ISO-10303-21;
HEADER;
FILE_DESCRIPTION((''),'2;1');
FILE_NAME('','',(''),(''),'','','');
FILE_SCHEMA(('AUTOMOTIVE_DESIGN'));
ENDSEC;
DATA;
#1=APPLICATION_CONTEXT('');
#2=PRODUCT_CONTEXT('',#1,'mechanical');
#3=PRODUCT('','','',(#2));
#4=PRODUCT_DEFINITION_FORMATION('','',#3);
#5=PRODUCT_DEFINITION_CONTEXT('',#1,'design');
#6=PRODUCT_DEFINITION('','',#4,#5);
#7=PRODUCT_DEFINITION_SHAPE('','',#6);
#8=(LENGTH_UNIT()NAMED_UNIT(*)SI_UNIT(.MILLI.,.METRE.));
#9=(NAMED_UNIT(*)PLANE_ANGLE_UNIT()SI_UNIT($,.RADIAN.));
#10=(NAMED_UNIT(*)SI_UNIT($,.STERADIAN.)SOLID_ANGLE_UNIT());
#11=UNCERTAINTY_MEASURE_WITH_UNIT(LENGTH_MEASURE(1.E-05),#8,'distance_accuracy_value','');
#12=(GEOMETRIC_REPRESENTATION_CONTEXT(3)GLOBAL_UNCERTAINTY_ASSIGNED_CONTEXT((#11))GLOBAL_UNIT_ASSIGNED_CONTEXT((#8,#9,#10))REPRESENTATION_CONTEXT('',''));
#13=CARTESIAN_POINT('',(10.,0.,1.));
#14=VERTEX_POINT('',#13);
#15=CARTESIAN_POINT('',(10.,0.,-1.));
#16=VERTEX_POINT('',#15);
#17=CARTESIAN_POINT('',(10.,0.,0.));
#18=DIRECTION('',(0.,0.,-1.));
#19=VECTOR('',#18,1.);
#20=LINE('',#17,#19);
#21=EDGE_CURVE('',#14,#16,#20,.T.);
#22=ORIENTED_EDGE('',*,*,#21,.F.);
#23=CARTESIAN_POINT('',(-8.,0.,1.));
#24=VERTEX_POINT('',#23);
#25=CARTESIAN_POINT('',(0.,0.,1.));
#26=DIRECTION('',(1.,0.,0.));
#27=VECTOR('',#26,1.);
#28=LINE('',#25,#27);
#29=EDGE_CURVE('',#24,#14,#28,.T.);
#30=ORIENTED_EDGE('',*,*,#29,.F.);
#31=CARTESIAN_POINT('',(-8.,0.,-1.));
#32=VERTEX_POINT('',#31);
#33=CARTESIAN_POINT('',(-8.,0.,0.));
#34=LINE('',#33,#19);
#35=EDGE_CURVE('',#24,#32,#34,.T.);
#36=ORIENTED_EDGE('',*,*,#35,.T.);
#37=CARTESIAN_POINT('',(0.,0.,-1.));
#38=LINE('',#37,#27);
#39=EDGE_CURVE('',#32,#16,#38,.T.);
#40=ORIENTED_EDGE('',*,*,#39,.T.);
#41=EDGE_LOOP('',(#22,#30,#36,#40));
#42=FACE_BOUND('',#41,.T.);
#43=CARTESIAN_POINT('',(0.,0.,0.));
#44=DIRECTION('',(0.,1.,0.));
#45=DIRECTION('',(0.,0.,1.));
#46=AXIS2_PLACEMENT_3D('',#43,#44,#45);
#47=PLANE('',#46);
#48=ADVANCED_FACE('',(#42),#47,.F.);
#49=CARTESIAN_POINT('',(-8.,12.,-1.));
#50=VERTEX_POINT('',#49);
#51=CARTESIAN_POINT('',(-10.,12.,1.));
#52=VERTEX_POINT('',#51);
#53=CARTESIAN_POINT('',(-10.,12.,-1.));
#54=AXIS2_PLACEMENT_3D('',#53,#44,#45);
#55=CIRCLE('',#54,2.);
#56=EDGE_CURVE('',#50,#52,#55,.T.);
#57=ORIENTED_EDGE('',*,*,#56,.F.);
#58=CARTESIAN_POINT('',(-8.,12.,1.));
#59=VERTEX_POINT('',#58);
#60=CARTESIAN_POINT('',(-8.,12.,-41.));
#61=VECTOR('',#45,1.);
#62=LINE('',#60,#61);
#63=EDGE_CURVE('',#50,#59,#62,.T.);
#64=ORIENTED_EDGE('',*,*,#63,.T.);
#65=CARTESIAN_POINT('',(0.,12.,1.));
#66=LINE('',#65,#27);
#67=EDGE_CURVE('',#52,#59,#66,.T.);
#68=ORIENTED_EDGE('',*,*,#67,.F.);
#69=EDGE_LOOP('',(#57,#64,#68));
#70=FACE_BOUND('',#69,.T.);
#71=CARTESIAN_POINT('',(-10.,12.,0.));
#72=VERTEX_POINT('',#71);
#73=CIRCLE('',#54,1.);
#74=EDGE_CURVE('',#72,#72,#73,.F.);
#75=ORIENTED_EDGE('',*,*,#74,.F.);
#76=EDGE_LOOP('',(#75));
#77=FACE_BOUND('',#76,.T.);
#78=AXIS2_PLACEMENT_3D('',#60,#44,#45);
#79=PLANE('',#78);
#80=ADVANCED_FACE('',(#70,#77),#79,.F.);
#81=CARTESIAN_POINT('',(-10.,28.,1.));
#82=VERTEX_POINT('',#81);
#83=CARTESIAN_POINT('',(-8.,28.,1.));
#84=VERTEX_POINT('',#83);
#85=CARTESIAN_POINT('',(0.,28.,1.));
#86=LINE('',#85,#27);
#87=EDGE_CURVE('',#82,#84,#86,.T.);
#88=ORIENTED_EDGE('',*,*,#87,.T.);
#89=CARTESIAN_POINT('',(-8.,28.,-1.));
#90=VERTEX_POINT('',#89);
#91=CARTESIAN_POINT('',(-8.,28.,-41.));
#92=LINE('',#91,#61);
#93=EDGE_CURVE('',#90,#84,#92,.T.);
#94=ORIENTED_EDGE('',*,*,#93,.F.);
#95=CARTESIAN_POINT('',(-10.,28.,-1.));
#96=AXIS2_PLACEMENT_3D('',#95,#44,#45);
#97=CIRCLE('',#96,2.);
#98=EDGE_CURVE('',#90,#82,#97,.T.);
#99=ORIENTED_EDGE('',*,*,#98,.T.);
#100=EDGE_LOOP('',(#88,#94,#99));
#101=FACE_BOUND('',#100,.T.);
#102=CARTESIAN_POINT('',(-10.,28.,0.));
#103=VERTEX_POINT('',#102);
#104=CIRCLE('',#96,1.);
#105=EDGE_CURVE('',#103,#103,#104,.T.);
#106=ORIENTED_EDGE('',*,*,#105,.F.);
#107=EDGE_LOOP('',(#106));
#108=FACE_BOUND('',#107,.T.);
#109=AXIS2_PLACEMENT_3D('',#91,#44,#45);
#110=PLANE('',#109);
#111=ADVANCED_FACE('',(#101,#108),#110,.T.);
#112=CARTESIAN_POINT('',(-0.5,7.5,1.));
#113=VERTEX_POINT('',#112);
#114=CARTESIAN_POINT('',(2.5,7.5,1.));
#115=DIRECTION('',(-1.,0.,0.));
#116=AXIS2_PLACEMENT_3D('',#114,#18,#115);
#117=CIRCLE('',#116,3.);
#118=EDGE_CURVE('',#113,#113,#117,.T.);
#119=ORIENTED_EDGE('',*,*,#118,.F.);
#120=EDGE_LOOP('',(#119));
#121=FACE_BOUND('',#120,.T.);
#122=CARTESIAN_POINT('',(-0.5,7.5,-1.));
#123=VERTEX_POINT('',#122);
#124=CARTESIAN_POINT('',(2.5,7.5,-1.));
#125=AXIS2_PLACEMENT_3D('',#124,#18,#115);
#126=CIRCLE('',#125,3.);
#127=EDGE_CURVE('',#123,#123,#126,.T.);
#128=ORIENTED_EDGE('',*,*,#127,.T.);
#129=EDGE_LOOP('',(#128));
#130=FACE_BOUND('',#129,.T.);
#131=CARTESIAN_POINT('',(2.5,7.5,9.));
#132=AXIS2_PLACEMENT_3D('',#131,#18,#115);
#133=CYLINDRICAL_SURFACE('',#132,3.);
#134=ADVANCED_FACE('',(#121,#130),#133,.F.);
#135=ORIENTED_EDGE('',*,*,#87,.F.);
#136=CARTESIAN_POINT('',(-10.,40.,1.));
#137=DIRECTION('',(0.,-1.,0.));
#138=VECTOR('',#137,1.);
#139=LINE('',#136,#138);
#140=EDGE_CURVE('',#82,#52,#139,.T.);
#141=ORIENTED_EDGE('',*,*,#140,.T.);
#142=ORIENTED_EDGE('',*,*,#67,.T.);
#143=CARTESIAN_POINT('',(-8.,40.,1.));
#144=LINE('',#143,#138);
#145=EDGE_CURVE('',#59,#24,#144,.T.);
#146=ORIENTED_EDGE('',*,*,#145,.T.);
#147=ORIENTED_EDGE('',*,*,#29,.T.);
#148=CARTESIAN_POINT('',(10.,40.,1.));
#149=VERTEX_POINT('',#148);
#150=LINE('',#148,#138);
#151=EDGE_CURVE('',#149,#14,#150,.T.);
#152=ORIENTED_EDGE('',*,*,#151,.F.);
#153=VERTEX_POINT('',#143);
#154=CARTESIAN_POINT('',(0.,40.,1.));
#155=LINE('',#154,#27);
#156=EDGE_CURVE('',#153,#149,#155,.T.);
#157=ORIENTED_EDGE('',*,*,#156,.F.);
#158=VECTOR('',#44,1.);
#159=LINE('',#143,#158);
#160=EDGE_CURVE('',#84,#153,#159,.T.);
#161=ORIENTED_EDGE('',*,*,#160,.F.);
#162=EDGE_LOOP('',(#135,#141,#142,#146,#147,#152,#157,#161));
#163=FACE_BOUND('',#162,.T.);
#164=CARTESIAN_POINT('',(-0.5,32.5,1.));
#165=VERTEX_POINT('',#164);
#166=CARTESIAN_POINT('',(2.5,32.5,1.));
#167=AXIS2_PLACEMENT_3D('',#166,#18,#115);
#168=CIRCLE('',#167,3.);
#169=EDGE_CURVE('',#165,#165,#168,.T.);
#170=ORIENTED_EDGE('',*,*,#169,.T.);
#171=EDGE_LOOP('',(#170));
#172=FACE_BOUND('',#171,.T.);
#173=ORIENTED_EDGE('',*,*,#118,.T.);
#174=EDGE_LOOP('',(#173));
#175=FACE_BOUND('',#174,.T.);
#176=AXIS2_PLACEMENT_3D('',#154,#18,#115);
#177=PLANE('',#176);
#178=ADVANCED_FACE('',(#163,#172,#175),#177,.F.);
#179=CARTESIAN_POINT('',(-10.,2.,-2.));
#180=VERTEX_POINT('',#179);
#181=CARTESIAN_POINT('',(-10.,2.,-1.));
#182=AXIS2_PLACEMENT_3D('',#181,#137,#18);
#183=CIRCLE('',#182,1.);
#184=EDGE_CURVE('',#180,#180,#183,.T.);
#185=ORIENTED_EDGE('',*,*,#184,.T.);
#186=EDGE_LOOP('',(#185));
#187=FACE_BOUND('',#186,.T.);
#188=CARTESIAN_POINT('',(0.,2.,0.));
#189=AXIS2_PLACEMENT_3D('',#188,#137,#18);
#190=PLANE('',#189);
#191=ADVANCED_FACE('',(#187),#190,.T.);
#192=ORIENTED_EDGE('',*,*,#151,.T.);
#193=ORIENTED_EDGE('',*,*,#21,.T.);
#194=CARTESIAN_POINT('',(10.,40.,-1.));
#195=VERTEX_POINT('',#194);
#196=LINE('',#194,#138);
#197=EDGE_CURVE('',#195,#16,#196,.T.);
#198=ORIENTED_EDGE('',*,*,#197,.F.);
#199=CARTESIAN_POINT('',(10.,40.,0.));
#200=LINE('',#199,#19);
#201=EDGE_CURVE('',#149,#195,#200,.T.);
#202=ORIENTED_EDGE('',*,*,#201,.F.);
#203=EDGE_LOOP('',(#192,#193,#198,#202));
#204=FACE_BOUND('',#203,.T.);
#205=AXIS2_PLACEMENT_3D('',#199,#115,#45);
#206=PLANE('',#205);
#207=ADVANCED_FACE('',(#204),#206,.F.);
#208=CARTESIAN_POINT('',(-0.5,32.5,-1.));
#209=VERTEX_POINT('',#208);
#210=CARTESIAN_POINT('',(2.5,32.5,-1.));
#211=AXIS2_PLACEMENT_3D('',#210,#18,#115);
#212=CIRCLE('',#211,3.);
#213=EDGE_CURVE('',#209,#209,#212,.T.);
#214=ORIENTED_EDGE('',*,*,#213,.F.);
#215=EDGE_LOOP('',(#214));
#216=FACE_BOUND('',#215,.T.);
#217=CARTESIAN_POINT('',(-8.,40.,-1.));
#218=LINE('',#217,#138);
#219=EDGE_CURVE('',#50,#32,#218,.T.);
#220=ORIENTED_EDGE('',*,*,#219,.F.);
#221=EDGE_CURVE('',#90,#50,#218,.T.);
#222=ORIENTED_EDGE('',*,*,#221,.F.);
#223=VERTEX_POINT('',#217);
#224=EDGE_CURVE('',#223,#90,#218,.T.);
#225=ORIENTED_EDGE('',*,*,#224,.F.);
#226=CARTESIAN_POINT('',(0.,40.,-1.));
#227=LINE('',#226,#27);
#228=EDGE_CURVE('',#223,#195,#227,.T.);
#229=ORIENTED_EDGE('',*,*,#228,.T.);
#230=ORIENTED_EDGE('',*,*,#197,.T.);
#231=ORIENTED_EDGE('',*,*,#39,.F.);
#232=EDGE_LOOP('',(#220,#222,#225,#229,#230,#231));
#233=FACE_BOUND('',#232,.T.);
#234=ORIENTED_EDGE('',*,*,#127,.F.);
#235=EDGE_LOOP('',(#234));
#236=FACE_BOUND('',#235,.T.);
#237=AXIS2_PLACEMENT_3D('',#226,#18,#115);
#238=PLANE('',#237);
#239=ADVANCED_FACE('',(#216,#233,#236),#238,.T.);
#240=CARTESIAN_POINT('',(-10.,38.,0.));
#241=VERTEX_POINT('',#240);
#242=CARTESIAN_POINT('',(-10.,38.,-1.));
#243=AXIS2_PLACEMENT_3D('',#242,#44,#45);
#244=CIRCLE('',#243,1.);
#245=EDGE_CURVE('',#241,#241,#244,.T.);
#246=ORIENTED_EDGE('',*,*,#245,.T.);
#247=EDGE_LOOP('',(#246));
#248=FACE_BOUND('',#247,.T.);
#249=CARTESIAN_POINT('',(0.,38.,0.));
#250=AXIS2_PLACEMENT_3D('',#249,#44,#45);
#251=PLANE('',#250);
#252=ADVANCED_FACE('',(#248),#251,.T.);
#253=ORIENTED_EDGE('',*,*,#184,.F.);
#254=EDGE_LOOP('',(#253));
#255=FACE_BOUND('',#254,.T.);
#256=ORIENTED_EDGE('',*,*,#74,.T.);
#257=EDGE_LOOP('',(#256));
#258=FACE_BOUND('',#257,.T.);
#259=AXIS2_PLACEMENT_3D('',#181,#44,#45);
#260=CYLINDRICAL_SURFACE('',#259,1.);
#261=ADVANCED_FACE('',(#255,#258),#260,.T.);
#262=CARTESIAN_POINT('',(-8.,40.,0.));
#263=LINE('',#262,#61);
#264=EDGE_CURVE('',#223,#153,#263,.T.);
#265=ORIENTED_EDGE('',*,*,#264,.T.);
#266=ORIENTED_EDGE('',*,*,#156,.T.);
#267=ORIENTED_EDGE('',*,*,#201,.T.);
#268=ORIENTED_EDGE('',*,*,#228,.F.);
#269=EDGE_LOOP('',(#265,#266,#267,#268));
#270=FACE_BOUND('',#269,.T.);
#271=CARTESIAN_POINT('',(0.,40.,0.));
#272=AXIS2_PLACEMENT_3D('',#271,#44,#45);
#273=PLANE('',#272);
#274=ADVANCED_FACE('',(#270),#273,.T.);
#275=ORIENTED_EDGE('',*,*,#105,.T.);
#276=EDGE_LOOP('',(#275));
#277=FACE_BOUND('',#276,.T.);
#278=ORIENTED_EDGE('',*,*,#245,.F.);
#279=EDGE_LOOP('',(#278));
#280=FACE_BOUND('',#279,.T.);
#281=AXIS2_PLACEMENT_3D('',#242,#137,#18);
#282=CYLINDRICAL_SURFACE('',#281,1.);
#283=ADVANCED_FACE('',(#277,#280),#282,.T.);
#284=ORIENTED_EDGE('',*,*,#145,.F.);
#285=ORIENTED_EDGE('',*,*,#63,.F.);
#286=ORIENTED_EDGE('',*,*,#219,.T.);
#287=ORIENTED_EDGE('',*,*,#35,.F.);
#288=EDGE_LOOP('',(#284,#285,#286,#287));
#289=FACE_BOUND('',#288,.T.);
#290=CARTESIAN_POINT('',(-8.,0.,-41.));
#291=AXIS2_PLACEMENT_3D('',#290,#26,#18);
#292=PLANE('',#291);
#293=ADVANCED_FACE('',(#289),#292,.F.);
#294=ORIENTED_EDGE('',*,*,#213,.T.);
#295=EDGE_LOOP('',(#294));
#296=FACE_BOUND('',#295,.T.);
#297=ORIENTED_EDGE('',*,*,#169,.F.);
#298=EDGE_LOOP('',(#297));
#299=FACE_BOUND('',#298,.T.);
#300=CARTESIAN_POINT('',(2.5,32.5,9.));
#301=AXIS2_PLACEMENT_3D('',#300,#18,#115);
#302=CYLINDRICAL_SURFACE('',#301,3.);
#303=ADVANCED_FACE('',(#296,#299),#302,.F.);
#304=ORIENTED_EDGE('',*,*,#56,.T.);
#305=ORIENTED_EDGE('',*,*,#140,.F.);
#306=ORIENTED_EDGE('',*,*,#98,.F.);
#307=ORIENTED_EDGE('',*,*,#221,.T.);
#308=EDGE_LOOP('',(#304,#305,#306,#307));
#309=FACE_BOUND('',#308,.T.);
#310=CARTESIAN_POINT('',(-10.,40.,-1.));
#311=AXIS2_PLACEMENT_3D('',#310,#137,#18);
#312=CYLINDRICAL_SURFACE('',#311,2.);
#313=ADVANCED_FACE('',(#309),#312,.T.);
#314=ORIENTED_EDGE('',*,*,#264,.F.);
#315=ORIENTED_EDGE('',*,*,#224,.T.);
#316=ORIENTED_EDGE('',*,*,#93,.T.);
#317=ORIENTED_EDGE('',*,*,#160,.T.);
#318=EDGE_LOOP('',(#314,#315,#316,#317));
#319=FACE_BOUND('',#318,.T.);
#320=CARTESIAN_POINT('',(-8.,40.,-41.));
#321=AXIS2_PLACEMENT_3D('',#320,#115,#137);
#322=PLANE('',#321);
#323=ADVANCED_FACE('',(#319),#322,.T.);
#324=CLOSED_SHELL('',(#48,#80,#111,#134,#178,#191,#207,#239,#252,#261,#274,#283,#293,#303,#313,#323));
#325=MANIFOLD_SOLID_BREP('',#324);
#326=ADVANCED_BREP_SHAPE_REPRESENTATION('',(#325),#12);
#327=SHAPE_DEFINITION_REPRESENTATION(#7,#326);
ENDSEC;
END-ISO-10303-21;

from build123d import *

# Parameters (mm, degrees)
EXTRUDE_1_DEPTH          = 40
CUT_EXTRUDE_1_DEPTH      = 40
CUT_EXTRUDE_1_DEPTH_BACK = 40
SKETCH_2_W               = 4
SKETCH_2_H               = 12
EXTRUDE_2_DEPTH          = 10
EXTRUDE_START            = 10
EXTRUDE_3_DEPTH          = 10
SKETCH_5_R               = 3
CUT_EXTRUDE_2_DEPTH      = 10


with BuildPart() as part:
    # 草图1 → 凸台-拉伸1 (new body)
    with BuildSketch(Plane(origin=(0, 0, 0), x_dir=(1, 0, 0), z_dir=(0, 1, 0))):
        with BuildLine():
            Line((10, 1), (-8, 1))
            ThreePointArc((-8, 1), (-11.414213562, 2.414213562), (-10, -1))
            Line((-10, -1), (10, -1))
            Line((10, -1), (10, 1))
        make_face()
    extrude(amount=EXTRUDE_1_DEPTH)

    # 草图2 → 切除-拉伸1 (cut, two sides: drawn at the far end of the back side and taken through both)
    with BuildSketch(Plane(origin=(0, 0, -1), x_dir=(-1, 0, 0), z_dir=(0, 0, -1)).offset(-CUT_EXTRUDE_1_DEPTH_BACK)):
        with Locations((10, 6)):
            Rectangle(SKETCH_2_W, SKETCH_2_H)
        with Locations((10, 34)):
            Rectangle(SKETCH_2_W, SKETCH_2_H)
    extrude(amount=CUT_EXTRUDE_1_DEPTH + CUT_EXTRUDE_1_DEPTH_BACK, mode=Mode.SUBTRACT)

    # 草图3 → 凸台-拉伸2 (add)
    with BuildSketch(Plane(origin=(0, 12, 0), x_dir=(-1, 0, 0), z_dir=(0, -1, 0))):
        with BuildLine():
            ThreePointArc((9, 1), (10, 0), (11, 1))
            ThreePointArc((11, 1), (10, 2), (9, 1))
        make_face()
    extrude(amount=EXTRUDE_2_DEPTH)

    # 草图4 → 凸台-拉伸3 (add)
    with BuildSketch(Plane(origin=(0, 28, 0), x_dir=(1, 0, 0), z_dir=(0, 1, 0)).offset(EXTRUDE_START)):
        with BuildLine():
            ThreePointArc((-10, 2), (-10.707106781, 0.292893219), (-9, 1))
            ThreePointArc((-9, 1), (-9.292893219, 1.707106781), (-10, 2))
        make_face()
    extrude(amount=-EXTRUDE_3_DEPTH)

    # 草图5 → 切除-拉伸2 (cut)
    with BuildSketch(Plane(origin=(0, 0, -1), x_dir=(-1, 0, 0), z_dir=(0, 0, -1))):
        with Locations((-2.5, 32.5)):
            Circle(SKETCH_5_R)
        with Locations((-2.5, 7.5)):
            Circle(SKETCH_5_R)
    extrude(amount=-CUT_EXTRUDE_2_DEPTH, mode=Mode.SUBTRACT)


solid = part.part
